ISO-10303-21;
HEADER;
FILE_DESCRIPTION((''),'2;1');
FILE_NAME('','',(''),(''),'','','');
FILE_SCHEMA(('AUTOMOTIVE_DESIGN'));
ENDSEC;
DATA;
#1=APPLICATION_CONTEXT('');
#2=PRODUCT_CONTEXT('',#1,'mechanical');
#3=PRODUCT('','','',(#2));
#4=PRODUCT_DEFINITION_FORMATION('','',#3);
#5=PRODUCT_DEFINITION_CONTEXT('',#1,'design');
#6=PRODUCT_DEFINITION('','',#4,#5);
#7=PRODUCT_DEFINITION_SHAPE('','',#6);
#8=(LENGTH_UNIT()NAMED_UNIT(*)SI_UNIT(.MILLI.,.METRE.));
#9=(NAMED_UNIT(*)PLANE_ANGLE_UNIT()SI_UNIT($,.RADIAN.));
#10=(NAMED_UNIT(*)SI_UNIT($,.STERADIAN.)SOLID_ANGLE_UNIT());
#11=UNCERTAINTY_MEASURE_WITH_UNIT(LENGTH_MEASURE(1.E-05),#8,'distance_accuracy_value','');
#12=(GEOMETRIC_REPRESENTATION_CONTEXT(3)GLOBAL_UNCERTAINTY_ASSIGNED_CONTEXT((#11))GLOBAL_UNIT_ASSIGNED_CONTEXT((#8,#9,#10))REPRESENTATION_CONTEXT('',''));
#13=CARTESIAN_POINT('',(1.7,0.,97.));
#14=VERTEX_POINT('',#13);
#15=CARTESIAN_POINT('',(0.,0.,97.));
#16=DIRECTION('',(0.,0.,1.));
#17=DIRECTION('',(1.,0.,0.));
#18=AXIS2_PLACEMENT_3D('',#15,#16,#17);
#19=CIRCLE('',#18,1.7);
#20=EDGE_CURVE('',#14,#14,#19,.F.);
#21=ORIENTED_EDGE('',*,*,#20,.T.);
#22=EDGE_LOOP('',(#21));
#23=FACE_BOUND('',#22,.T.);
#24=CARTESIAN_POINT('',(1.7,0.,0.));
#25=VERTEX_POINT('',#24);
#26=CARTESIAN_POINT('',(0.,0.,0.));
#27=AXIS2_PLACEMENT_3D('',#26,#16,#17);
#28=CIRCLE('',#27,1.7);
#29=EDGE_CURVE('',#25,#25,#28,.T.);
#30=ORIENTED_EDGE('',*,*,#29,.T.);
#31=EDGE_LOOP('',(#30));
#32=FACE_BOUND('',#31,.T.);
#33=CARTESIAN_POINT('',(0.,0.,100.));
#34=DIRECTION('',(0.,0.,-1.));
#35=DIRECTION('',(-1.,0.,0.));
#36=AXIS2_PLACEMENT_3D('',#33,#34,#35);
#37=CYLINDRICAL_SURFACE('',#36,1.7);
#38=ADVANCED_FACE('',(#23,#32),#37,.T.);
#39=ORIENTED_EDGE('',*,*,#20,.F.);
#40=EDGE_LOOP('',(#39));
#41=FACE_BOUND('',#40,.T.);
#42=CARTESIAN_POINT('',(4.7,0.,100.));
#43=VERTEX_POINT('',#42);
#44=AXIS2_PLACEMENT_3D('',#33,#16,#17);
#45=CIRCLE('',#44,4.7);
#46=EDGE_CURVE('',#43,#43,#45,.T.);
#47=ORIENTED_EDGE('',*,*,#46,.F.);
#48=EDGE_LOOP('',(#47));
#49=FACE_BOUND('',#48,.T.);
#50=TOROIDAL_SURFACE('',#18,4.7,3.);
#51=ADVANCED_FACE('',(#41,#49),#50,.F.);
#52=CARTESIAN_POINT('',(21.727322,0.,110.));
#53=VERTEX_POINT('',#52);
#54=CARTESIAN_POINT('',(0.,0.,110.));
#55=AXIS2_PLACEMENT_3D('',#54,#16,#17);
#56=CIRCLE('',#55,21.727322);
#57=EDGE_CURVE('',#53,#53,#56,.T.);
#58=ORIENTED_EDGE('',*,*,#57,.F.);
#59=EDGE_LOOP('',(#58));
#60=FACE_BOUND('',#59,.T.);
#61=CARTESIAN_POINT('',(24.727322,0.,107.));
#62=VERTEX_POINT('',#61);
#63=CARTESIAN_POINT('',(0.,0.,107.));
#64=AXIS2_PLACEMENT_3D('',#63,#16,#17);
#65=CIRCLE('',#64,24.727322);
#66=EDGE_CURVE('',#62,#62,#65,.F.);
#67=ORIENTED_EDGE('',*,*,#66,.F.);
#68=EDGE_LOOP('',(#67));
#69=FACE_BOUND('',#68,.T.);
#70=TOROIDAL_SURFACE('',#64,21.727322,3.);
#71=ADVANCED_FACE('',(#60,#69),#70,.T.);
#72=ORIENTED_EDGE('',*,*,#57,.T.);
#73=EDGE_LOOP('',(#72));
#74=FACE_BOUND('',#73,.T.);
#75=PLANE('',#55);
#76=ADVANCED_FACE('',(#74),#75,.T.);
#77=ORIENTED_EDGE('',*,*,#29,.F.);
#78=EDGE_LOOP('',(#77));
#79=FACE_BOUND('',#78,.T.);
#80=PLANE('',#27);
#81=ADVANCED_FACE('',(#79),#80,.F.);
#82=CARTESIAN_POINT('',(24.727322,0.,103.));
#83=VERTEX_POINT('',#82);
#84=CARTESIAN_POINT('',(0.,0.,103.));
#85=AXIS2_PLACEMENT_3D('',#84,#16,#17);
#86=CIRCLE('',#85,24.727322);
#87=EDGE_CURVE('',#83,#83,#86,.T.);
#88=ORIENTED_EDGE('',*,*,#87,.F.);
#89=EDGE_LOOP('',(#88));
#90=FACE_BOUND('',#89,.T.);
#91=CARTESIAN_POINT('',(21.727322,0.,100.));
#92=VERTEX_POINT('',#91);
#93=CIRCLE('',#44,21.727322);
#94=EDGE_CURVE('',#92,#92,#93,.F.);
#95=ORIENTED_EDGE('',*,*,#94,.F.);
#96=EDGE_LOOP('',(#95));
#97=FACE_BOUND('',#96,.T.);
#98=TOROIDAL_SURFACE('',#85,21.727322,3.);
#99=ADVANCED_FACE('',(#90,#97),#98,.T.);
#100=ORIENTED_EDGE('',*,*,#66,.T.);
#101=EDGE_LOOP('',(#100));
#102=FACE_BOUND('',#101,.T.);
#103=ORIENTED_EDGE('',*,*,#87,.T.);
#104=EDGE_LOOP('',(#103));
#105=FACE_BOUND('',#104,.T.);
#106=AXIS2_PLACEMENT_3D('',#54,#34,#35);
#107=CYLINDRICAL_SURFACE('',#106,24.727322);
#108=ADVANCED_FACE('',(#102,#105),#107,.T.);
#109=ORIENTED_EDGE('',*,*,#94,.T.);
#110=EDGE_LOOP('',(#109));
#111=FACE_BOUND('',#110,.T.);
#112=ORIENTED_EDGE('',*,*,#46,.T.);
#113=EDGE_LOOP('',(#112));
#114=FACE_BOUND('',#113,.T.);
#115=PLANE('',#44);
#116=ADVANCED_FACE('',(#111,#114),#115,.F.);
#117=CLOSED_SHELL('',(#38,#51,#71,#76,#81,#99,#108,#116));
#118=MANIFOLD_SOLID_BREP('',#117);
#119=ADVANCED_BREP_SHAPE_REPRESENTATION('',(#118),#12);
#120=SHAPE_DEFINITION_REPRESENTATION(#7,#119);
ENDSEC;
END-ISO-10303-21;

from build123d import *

# Parameters (mm, degrees)
SKETCH1_R           = 1.7
BOSS_EXTRUDE1_DEPTH = 100
SKETCH2_R           = 24.727322232
BOSS_EXTRUDE2_DEPTH = 10
FILLET2_R           = 3


with BuildPart() as part:
    # Sketch1 → Boss-Extrude1 (new body)
    with BuildSketch(Plane.XY):
        Circle(SKETCH1_R)
    extrude(amount=BOSS_EXTRUDE1_DEPTH)

    # Sketch2 → Boss-Extrude2 (add)
    with BuildSketch(Plane.XY.offset(100)):
        Circle(SKETCH2_R)
    extrude(amount=BOSS_EXTRUDE2_DEPTH)

    # Fillet2
    fillet2_edges = [part.edges().sort_by_distance(p)[0] for p in [
        (-1.7, 0, 100),
        (-24.727322232, 0, 100),
        (-24.727322232, 0, 110),
    ]]
    fillet(fillet2_edges, radius=FILLET2_R)


solid = part.part
